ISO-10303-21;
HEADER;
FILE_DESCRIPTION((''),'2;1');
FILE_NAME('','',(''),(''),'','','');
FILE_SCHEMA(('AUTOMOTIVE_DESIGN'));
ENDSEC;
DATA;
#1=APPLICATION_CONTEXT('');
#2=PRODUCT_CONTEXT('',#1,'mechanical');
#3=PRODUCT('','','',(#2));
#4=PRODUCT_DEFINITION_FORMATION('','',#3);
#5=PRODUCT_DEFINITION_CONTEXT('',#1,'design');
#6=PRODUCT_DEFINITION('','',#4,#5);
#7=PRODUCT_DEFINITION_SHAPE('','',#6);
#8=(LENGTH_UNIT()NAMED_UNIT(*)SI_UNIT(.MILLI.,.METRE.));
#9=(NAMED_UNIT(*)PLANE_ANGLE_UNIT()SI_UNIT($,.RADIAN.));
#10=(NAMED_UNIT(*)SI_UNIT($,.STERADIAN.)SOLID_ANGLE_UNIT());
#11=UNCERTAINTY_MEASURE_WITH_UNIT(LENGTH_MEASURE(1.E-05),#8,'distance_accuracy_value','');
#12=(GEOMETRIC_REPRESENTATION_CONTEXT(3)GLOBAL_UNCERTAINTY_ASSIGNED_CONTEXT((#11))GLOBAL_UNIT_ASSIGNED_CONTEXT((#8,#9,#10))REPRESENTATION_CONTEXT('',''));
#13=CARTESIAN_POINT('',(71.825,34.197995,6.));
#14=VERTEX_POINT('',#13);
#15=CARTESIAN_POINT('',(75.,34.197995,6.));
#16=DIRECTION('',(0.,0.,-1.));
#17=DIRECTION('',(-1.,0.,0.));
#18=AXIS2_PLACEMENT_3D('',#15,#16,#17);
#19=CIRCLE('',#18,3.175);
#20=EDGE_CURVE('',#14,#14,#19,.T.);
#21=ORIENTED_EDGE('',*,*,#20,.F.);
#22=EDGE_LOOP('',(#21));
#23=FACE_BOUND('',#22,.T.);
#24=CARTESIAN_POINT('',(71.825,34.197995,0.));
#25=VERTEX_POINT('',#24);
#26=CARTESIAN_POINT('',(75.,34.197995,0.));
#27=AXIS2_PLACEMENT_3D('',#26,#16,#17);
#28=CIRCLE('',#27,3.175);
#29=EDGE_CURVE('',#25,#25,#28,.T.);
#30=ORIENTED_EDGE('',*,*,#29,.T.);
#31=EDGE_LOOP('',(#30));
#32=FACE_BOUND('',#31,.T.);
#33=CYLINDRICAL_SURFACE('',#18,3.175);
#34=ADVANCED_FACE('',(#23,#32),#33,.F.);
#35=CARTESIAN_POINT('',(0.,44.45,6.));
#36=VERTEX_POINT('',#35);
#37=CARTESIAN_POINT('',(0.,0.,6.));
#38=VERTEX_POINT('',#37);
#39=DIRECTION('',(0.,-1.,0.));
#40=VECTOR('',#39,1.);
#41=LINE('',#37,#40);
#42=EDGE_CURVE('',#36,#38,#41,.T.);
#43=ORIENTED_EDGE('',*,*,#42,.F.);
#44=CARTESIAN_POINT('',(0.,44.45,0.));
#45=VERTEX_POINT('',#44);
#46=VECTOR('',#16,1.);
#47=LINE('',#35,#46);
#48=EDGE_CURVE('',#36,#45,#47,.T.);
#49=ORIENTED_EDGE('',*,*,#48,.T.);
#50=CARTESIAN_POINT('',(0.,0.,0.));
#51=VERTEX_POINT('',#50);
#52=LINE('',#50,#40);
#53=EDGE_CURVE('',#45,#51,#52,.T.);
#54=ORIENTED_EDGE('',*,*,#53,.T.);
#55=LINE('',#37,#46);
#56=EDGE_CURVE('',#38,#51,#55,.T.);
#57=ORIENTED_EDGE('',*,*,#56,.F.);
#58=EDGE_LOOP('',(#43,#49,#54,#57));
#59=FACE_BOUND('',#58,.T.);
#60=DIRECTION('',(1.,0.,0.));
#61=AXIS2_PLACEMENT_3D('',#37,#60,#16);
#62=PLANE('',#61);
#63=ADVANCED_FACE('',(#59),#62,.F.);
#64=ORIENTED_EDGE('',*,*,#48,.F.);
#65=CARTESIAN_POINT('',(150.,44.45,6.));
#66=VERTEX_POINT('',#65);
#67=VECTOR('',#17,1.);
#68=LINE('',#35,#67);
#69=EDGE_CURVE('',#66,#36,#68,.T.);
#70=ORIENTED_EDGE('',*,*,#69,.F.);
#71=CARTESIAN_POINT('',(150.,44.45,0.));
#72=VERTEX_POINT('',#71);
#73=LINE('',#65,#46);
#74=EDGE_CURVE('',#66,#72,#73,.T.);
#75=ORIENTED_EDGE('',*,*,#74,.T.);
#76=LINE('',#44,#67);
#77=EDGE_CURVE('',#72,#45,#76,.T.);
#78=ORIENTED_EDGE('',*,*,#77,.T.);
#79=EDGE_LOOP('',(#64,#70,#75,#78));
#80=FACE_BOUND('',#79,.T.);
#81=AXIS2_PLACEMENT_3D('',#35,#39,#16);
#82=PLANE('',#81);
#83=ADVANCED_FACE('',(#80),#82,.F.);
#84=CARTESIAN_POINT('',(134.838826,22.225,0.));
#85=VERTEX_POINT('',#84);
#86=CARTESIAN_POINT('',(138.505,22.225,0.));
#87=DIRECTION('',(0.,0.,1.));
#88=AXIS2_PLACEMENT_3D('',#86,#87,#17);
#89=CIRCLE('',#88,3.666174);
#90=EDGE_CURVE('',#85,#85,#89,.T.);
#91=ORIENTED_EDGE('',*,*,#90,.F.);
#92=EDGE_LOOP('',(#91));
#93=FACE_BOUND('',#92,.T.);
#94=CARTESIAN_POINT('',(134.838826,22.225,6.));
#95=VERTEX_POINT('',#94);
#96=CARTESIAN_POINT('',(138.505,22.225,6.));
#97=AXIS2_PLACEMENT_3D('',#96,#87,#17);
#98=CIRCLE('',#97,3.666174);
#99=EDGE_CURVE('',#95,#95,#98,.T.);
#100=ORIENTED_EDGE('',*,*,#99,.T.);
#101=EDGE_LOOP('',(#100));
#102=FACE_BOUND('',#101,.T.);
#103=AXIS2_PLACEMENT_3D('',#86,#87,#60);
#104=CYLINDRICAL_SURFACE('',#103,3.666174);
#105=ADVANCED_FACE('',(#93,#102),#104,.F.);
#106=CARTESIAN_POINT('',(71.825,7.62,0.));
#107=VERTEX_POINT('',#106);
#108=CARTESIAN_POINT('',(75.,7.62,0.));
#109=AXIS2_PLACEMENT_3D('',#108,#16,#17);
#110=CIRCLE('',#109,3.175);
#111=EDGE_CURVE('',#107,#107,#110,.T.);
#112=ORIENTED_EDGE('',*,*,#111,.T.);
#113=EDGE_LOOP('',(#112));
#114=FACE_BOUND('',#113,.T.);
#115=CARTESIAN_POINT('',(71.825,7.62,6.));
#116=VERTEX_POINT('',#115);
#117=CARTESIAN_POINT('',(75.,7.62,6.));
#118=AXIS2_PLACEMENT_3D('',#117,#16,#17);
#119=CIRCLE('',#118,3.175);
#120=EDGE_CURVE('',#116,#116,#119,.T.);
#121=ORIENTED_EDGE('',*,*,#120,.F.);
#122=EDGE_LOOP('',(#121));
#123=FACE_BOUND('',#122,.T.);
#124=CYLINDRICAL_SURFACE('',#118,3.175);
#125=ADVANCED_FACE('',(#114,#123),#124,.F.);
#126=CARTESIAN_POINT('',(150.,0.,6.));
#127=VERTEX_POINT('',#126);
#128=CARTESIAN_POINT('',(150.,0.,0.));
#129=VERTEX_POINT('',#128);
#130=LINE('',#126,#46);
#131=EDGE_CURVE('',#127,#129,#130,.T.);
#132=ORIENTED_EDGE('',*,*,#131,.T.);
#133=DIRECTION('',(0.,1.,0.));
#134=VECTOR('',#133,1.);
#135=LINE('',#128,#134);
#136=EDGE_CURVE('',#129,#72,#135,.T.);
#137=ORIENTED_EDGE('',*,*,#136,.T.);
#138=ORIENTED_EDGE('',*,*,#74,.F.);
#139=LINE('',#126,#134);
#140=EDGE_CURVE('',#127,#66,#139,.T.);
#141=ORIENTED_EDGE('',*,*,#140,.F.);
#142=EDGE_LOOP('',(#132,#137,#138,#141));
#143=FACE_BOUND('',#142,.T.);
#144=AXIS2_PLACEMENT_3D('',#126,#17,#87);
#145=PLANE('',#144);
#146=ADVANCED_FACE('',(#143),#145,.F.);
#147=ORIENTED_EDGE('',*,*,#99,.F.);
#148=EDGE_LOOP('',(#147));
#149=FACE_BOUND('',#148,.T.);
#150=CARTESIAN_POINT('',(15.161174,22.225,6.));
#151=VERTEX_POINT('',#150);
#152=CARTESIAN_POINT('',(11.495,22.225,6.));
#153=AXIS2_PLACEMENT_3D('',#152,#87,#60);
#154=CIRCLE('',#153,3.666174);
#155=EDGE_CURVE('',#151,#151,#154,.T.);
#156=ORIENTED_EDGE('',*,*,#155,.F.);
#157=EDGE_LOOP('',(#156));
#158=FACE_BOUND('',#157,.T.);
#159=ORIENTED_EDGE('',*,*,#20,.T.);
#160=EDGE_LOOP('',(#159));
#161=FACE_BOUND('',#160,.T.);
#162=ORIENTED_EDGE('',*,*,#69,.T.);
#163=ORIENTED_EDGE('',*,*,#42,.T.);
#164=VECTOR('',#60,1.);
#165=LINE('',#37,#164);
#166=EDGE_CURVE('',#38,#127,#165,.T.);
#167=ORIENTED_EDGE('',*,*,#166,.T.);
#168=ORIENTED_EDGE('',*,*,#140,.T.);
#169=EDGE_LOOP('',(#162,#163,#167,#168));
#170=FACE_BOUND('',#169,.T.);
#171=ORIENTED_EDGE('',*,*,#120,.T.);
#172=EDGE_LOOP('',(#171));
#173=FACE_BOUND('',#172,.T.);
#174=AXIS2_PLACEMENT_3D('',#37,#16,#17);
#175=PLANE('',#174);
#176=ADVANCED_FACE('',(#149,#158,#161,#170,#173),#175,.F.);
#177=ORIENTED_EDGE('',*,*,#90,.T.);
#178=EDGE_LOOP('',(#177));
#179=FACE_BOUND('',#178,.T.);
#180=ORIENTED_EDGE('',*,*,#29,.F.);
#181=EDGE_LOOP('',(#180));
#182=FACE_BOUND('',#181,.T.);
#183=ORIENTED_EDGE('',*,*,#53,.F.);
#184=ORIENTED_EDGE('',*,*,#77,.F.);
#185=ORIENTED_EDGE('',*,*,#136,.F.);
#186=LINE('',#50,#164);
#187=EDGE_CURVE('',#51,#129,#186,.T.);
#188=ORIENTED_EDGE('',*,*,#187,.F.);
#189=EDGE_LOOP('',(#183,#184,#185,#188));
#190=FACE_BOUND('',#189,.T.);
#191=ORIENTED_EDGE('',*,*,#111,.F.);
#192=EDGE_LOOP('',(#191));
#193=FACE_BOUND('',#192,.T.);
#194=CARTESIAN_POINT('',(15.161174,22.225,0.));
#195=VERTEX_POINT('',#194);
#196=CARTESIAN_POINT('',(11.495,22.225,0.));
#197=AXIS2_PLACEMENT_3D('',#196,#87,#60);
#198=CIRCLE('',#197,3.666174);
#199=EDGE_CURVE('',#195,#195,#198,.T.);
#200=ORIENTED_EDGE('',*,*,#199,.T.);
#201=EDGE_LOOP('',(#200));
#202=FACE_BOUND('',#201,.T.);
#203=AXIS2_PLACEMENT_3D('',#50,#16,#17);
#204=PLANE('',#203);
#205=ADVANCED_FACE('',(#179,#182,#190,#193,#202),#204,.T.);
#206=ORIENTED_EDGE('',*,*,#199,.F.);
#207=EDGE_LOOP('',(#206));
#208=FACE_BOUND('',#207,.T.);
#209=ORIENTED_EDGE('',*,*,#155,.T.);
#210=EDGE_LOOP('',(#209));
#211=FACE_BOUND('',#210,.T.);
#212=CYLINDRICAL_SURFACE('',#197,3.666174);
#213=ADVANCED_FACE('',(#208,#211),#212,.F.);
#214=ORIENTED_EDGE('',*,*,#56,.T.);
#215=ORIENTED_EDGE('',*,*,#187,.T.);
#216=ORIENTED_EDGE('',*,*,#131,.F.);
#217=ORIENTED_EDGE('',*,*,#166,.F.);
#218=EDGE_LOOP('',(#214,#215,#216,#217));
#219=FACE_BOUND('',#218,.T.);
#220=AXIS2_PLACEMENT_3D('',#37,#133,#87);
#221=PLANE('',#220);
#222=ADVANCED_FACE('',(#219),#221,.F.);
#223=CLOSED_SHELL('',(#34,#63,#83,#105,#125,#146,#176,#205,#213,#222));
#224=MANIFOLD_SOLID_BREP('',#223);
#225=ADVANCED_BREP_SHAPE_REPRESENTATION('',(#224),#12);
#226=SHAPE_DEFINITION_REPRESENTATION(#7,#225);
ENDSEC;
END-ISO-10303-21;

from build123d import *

# Parameters (mm, degrees)
SKETCH1_W           = 150
SKETCH1_H           = 44.45
BOSS_EXTRUDE1_DEPTH = 6
SKETCH2_R           = 3.666174209
CUT_EXTRUDE1_DEPTH  = 157.562455589
SKETCH3_R           = 3.175
CUT_EXTRUDE2_DEPTH  = 157.562455589


with BuildPart() as part:
    # Sketch1 → Boss-Extrude1 (new body)
    with BuildSketch(Plane.XY):
        with Locations((75, 22.225)):
            Rectangle(SKETCH1_W, SKETCH1_H)
    extrude(amount=BOSS_EXTRUDE1_DEPTH)

    # Sketch2 → Cut-Extrude1 (cut, through all)
    with BuildSketch(Plane.XY.offset(6)):
        with Locations((11.495, 22.225)):
            Circle(SKETCH2_R)
        with Locations(Location((138.505, 22.225, 0), (0, 0, 180))):
            Circle(SKETCH2_R)
    extrude(amount=-CUT_EXTRUDE1_DEPTH, mode=Mode.SUBTRACT)

    # Sketch3 → Cut-Extrude2 (cut, through all)
    with BuildSketch(Plane(origin=(0, 0, 0), x_dir=(-1, 0, 0), z_dir=(0, 0, -1))):
        with Locations((-75, 7.62)):
            Circle(SKETCH3_R)
        with Locations((-75, 34.197995036)):
            Circle(SKETCH3_R)
    extrude(amount=-CUT_EXTRUDE2_DEPTH, mode=Mode.SUBTRACT)


solid = part.part
